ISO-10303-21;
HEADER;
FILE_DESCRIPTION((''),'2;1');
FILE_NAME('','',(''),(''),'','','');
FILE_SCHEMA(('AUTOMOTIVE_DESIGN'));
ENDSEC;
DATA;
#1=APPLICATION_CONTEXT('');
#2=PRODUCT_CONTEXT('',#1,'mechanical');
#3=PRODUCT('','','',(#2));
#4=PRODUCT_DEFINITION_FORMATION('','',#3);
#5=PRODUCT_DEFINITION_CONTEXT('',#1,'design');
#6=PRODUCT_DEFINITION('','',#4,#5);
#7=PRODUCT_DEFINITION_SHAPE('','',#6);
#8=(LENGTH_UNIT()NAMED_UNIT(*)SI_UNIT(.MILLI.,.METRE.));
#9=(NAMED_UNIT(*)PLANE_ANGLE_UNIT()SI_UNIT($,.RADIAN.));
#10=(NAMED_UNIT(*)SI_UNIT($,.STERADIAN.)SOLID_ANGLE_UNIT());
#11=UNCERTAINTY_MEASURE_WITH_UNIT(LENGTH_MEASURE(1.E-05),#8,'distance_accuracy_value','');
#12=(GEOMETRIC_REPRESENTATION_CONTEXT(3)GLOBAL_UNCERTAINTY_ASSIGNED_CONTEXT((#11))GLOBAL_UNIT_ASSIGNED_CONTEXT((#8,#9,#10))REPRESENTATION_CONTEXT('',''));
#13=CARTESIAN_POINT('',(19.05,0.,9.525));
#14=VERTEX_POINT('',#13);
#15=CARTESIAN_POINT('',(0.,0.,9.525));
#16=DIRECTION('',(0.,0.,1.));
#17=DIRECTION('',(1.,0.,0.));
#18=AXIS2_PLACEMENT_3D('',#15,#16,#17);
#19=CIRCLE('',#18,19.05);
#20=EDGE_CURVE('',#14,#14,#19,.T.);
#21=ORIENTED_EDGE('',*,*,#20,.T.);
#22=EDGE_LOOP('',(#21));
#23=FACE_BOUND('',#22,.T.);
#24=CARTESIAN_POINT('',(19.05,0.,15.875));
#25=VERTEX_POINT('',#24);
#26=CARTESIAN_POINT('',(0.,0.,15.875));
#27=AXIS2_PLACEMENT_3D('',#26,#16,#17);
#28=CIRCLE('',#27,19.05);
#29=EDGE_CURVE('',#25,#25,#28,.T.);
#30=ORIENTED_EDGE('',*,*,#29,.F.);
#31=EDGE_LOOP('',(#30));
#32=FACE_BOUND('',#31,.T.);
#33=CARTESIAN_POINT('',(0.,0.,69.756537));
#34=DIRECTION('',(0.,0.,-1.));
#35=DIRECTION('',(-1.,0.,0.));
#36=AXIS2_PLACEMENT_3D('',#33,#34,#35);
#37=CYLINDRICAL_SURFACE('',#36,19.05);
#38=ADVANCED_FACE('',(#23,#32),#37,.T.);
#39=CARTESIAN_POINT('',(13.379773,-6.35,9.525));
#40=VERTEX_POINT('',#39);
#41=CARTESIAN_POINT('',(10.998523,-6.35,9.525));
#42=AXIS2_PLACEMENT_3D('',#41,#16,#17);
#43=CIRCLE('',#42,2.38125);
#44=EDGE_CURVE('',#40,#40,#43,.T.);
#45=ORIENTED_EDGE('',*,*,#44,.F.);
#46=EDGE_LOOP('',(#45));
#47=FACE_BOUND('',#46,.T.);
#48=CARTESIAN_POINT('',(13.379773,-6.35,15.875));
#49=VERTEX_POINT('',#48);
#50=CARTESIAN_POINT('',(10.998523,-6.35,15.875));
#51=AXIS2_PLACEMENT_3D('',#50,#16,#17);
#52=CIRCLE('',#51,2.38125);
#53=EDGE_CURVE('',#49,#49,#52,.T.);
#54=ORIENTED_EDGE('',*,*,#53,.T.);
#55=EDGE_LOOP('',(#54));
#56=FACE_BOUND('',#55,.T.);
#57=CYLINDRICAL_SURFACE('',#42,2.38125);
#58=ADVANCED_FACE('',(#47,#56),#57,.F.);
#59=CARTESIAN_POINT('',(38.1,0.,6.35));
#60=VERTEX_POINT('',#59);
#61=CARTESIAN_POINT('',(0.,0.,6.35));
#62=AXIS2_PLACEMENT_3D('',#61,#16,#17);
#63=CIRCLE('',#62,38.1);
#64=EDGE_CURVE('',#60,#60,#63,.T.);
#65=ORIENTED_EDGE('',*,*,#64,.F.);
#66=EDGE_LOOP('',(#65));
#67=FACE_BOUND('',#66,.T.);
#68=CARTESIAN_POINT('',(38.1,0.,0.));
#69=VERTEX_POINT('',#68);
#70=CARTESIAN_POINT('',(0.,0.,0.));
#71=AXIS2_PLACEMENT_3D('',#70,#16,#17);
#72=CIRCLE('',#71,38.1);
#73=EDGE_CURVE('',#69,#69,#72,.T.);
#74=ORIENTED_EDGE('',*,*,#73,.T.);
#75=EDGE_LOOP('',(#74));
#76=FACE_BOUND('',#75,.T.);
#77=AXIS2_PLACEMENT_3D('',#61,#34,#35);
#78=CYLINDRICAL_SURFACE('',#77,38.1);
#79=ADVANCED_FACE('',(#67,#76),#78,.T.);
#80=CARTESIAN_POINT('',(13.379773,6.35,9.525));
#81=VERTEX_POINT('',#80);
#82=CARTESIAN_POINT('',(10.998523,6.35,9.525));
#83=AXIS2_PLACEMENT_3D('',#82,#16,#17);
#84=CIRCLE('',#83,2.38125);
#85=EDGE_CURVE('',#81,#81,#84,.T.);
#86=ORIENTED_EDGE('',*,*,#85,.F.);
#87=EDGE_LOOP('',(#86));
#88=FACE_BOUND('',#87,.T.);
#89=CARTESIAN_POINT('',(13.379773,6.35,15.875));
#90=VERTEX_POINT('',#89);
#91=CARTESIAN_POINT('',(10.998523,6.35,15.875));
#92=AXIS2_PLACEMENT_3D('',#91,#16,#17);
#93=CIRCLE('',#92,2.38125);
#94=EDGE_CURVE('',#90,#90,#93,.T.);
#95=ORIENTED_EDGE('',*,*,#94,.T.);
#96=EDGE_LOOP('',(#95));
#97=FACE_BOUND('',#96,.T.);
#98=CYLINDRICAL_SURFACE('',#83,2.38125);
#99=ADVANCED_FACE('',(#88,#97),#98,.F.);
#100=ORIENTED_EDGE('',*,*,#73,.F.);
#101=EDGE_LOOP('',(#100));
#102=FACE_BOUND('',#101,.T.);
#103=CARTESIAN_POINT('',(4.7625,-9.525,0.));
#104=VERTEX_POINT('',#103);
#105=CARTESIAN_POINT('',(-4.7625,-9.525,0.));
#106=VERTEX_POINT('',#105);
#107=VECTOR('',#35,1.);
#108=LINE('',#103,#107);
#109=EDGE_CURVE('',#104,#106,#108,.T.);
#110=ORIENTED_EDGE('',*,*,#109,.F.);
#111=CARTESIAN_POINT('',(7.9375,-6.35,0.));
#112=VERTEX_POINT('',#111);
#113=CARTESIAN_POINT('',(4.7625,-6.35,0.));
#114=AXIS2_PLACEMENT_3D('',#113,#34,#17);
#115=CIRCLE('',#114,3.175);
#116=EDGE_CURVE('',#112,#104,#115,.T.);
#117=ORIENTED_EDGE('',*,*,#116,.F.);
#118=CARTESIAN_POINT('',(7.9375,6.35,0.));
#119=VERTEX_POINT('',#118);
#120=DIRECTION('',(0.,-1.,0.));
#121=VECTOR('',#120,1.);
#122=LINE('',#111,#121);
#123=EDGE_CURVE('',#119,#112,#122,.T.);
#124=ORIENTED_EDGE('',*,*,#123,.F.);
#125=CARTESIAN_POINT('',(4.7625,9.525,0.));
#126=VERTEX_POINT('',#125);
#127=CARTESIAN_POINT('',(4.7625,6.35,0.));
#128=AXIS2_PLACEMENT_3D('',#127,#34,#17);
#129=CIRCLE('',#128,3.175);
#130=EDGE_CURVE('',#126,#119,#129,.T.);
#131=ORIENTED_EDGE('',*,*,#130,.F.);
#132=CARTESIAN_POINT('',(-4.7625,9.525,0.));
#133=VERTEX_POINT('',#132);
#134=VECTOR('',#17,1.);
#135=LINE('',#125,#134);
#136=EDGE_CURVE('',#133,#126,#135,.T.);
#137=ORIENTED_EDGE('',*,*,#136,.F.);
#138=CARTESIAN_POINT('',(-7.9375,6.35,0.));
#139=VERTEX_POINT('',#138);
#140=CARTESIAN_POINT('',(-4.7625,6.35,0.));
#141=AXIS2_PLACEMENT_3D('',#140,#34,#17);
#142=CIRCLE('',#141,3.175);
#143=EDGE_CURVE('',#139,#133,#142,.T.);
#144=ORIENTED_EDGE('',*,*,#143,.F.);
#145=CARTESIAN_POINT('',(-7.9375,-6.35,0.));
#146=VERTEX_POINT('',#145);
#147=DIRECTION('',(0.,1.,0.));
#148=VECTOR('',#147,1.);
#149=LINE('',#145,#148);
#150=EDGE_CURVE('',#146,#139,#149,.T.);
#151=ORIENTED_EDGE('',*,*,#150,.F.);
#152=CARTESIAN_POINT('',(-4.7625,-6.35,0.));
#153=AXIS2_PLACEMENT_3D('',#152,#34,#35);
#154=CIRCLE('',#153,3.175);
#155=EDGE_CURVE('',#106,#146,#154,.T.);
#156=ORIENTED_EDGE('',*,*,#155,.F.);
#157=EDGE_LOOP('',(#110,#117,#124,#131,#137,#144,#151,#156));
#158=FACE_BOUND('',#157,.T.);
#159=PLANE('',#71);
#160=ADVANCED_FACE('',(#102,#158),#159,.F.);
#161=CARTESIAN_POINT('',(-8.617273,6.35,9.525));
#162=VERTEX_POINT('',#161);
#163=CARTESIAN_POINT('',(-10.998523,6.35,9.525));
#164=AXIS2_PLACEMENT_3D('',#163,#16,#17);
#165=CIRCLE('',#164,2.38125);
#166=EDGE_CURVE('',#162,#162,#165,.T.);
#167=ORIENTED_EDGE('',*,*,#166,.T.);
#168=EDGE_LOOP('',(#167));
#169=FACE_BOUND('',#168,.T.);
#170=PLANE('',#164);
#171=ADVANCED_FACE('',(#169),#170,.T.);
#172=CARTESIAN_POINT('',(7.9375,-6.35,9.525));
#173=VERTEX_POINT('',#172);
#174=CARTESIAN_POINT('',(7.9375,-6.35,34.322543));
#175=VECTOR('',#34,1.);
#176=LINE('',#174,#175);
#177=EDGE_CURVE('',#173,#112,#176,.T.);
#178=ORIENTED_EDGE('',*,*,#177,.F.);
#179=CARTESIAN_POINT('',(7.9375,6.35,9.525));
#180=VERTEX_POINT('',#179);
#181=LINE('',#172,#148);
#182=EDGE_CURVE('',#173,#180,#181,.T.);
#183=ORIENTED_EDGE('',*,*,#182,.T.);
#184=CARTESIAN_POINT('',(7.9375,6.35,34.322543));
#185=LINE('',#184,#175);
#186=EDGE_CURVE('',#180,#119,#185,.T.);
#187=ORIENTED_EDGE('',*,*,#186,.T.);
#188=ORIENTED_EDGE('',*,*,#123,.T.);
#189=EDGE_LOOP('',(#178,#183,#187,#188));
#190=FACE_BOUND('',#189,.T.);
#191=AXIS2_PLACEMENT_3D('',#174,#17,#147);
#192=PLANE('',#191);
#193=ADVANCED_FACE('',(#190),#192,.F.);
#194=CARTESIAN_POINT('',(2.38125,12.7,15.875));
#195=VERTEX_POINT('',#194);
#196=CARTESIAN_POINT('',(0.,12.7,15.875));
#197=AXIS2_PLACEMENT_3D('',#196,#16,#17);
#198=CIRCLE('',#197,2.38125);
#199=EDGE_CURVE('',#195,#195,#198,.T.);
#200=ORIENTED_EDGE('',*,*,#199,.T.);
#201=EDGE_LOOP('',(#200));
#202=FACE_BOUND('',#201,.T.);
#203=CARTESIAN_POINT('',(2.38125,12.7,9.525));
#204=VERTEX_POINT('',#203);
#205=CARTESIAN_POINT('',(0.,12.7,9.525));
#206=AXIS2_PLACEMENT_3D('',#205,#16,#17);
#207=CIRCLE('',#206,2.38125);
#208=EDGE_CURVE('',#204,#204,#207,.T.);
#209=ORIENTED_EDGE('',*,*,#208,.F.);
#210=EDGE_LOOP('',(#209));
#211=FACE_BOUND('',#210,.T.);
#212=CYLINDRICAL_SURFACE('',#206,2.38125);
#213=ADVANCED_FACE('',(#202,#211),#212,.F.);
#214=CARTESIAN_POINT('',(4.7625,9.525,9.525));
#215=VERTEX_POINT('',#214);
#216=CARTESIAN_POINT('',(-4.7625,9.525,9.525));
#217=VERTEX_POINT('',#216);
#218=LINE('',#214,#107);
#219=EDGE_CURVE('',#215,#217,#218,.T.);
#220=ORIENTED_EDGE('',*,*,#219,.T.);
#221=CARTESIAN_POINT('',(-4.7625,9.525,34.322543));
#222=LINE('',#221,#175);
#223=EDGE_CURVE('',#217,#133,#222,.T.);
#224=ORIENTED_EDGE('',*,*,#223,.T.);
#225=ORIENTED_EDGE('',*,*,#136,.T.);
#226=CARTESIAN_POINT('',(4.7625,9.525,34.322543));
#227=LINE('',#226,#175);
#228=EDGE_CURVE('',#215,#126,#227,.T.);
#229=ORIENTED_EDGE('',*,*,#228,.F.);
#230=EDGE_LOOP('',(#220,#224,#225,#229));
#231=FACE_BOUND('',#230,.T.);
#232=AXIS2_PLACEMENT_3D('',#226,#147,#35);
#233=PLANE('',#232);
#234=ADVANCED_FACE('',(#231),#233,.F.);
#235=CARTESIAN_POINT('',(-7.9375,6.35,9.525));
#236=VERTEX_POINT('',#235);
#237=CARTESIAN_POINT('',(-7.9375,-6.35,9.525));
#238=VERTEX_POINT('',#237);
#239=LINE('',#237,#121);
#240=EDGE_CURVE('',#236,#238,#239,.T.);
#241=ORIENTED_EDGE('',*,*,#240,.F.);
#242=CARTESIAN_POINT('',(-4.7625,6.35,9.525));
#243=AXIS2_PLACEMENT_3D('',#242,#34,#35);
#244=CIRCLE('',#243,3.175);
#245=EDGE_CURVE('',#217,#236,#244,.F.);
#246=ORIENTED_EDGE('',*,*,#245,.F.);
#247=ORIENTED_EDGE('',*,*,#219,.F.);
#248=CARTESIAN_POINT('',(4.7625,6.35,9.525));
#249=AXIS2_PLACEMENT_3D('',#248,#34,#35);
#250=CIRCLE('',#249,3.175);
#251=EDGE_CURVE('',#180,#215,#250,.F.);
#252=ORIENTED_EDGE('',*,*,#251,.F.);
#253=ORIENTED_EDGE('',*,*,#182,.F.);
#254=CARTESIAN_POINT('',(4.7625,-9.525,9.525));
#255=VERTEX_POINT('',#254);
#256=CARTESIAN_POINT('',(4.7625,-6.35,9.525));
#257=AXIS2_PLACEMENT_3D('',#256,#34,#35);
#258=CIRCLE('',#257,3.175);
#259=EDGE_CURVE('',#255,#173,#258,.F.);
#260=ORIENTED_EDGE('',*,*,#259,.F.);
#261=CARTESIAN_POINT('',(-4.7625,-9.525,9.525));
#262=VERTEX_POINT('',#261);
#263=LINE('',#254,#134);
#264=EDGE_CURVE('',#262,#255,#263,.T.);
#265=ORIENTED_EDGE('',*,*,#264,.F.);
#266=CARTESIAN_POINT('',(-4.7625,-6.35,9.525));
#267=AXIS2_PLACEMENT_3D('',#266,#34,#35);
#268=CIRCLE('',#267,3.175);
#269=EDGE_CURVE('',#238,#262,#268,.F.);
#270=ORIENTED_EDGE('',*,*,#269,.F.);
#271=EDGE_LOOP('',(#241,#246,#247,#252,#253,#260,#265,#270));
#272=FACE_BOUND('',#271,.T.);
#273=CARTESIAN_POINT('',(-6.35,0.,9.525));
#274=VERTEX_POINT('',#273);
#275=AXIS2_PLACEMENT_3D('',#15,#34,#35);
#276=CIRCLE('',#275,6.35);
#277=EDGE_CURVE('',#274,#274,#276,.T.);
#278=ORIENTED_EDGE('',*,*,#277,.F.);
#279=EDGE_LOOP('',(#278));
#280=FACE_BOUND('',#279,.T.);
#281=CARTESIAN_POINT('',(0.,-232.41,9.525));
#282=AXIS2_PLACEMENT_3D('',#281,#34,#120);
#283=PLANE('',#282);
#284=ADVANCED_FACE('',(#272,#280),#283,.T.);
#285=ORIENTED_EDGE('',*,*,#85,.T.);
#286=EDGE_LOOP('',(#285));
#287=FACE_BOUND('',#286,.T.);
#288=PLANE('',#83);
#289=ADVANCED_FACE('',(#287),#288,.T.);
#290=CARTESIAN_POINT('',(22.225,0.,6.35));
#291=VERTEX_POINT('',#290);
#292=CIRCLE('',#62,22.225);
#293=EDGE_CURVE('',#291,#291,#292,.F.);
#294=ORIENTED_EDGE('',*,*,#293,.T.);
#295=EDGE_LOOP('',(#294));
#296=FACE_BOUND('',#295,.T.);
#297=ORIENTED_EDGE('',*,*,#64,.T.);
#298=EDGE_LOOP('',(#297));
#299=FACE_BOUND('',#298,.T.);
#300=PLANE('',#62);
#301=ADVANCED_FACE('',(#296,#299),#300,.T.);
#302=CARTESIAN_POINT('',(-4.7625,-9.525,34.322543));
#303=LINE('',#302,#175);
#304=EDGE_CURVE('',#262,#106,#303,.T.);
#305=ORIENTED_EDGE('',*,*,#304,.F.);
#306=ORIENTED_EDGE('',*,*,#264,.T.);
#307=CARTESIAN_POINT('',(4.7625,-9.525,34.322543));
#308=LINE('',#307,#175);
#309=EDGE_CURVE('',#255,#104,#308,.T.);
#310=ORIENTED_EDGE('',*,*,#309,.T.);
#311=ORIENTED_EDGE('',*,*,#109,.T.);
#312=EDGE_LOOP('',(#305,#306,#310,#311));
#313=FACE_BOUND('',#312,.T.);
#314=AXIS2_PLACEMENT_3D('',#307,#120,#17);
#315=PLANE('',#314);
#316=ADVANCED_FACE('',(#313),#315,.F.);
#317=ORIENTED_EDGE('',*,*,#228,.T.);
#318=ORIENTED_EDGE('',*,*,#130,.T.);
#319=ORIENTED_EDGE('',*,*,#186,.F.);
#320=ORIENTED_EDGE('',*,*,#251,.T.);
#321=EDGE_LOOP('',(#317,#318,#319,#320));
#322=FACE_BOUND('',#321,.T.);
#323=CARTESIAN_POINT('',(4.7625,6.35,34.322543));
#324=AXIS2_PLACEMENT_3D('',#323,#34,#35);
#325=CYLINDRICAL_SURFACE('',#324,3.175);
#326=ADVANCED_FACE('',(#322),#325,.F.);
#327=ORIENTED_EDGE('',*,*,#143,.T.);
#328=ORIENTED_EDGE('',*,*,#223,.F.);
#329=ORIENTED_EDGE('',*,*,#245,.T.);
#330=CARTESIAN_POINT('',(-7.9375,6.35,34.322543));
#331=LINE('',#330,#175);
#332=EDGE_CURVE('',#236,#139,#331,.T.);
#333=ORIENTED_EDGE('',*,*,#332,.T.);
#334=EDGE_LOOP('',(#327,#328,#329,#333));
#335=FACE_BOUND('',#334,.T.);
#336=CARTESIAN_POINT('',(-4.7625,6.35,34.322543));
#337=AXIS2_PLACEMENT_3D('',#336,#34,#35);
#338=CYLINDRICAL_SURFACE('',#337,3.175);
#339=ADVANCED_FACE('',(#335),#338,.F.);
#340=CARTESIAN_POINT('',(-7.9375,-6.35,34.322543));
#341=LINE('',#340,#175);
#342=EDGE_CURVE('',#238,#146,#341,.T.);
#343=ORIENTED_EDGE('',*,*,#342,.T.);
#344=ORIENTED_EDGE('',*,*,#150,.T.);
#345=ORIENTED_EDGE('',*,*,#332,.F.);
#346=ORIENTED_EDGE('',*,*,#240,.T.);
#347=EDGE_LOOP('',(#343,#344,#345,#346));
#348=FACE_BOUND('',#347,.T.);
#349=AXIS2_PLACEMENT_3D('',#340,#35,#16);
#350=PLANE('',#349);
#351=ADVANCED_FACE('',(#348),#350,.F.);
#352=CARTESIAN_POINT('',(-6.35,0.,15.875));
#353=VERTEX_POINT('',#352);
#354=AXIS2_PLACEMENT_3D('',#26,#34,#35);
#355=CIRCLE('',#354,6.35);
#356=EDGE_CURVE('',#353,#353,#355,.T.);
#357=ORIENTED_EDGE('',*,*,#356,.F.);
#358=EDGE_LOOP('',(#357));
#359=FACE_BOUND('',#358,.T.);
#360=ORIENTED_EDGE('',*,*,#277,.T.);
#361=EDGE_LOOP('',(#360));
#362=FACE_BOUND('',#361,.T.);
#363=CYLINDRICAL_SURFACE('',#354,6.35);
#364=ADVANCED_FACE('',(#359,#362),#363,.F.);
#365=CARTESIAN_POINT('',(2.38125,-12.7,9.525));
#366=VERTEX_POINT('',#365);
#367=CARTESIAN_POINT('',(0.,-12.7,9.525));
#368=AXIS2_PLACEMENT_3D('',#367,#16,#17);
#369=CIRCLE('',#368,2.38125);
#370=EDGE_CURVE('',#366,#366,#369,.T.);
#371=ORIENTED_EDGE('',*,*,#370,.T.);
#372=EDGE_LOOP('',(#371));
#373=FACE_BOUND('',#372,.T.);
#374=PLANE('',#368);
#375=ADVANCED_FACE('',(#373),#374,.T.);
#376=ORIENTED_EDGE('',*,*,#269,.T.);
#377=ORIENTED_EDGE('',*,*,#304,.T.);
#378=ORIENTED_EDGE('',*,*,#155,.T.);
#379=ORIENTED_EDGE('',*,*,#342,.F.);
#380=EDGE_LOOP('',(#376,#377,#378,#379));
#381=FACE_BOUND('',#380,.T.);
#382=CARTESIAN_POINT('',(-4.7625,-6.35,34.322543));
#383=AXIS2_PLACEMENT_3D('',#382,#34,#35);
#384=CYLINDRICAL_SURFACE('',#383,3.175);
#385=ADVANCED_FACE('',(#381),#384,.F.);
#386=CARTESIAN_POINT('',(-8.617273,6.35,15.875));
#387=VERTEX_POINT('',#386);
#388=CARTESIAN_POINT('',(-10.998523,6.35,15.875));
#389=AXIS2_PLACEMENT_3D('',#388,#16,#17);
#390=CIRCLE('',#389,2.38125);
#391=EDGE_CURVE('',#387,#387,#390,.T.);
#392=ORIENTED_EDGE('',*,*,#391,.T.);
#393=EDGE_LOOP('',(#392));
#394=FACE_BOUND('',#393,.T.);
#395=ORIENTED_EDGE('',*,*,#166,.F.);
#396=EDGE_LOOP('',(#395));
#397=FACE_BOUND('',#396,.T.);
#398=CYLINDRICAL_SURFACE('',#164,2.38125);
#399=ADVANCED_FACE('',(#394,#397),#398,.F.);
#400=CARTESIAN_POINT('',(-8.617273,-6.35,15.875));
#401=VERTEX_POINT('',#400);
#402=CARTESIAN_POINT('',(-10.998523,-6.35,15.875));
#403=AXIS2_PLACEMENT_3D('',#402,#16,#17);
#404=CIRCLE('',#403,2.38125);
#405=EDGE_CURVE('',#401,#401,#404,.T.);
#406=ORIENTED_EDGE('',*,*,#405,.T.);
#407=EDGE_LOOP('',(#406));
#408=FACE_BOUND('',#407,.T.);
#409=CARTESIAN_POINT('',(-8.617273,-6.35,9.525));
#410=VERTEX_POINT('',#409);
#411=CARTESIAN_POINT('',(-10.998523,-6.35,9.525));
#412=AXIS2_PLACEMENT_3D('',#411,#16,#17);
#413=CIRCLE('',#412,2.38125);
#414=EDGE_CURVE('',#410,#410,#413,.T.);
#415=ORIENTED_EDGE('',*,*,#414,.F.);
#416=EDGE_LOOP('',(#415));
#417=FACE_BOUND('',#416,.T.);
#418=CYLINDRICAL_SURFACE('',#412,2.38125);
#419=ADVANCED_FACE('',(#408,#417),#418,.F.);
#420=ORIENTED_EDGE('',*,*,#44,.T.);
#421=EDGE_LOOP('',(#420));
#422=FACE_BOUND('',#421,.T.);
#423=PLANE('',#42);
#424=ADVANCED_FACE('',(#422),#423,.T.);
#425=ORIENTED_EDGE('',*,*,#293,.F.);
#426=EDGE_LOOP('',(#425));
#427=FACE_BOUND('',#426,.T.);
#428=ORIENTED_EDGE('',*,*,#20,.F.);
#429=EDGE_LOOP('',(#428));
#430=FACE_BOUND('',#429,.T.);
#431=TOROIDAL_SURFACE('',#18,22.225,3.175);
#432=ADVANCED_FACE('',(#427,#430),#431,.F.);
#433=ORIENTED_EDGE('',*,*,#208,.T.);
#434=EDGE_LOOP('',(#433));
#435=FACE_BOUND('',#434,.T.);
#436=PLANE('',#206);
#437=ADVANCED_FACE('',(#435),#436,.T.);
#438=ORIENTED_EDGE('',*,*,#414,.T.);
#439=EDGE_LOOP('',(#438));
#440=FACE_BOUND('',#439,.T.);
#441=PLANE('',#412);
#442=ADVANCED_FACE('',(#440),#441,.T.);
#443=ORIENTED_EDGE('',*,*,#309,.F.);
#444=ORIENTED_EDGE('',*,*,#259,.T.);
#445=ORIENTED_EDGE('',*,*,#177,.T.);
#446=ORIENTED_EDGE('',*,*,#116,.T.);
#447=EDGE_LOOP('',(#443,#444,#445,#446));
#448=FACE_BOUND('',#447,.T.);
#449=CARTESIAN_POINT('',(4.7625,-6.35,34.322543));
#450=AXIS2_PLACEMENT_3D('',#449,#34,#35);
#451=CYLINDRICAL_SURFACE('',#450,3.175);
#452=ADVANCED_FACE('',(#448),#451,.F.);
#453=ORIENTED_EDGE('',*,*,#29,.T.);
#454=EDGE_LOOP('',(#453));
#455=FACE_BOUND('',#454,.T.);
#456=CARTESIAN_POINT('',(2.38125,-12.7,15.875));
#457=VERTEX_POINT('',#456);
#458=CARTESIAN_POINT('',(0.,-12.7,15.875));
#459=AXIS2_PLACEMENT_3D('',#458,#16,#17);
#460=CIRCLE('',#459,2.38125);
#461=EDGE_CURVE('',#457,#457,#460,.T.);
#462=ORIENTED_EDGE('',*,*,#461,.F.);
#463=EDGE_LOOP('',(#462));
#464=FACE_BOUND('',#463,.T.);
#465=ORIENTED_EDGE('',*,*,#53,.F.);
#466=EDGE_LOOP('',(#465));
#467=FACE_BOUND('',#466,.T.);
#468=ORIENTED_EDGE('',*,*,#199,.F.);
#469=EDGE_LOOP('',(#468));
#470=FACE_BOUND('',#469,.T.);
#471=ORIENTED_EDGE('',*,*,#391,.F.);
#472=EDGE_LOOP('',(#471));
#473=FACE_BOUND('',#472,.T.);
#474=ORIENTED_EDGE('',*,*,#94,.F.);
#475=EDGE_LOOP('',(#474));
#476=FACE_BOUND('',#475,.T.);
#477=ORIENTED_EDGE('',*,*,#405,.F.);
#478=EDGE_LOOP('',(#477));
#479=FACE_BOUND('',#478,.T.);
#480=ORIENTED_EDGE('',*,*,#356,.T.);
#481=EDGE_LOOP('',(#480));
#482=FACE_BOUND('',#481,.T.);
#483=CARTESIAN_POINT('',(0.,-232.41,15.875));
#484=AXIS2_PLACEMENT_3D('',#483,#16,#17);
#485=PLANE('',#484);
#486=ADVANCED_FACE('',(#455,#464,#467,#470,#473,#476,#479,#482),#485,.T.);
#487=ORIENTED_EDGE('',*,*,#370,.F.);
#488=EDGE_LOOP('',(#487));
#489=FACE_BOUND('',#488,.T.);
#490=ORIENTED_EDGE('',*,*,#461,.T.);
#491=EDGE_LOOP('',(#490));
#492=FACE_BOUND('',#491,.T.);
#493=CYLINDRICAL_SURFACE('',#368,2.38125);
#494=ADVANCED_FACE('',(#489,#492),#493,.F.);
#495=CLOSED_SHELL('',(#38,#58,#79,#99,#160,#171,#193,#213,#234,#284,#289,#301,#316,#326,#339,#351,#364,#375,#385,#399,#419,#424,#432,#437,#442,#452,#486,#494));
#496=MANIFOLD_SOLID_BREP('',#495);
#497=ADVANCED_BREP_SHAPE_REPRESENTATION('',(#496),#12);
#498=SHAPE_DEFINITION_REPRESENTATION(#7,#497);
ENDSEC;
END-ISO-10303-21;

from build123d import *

# Parameters (mm, degrees)
SKETCH1_R           = 38.1
BOSS_EXTRUDE1_DEPTH = 6.35
SKETCH2_R           = 19.05
BOSS_EXTRUDE2_DEPTH = 9.525
CUT_EXTRUDE1_START  = -9.525
CUT_EXTRUDE1_DEPTH  = 9.525
SKETCH4_R           = 6.35
CUT_EXTRUDE2_DEPTH  = 7.35
FILLET2_R           = 3.175
SKETCH7_R           = 2.38125
CUT_EXTRUDE4_DEPTH  = 6.35


with BuildPart() as part:
    # Sketch1 → Boss-Extrude1 (new body)
    with BuildSketch(Plane.XY):
        Circle(SKETCH1_R)
    extrude(amount=BOSS_EXTRUDE1_DEPTH)

    # Sketch2 → Boss-Extrude2 (add)
    with BuildSketch(Plane.XY.offset(6.35)):
        Circle(SKETCH2_R)
    extrude(amount=BOSS_EXTRUDE2_DEPTH)

    # Sketch3 → Cut-Extrude1 (cut)
    with BuildSketch(Plane(origin=(0, 0, 0), x_dir=(-1, 0, 0), z_dir=(0, 0, -1)).offset(CUT_EXTRUDE1_START)):
        with BuildLine():
            Line((-4.7625, -9.525), (4.7625, -9.525))
            ThreePointArc((4.7625, -9.525), (7.00756403, -8.59506403), (7.9375, -6.35))
            Line((7.9375, -6.35), (7.9375, 6.35))
            ThreePointArc((7.9375, 6.35), (7.00756403, 8.59506403), (4.7625, 9.525))
            Line((4.7625, 9.525), (-4.7625, 9.525))
            ThreePointArc((-4.7625, 9.525), (-7.00756403, 8.59506403), (-7.9375, 6.35))
            Line((-7.9375, 6.35), (-7.9375, -6.35))
            ThreePointArc((-7.9375, -6.35), (-7.00756403, -8.59506403), (-4.7625, -9.525))
        make_face()
    extrude(amount=CUT_EXTRUDE1_DEPTH, mode=Mode.SUBTRACT)

    # Sketch4 → Cut-Extrude2 (cut, through all)
    with BuildSketch(Plane(origin=(0, 0, 9.525), x_dir=(-1, 0, 0), z_dir=(0, 0, -1))):
        Circle(SKETCH4_R)
    extrude(amount=-CUT_EXTRUDE2_DEPTH, mode=Mode.SUBTRACT)

    # Fillet2
    fillet2_edges = [part.edges().sort_by_distance(p)[0] for p in [
        (-19.05, 0, 6.35),
    ]]
    fillet(fillet2_edges, radius=FILLET2_R)

    # Sketch7 → Cut-Extrude4 (cut)
    with BuildSketch(Plane.XY.offset(15.875)):
        with Locations((0, 12.7)):
            Circle(SKETCH7_R)
        with Locations((10.998522628, 6.35)):
            Circle(SKETCH7_R)
        with Locations((10.998522628, -6.35)):
            Circle(SKETCH7_R)
        with Locations((0, -12.7)):
            Circle(SKETCH7_R)
        with Locations((-10.998522628, -6.35)):
            Circle(SKETCH7_R)
        with Locations((-10.998522628, 6.35)):
            Circle(SKETCH7_R)
    extrude(amount=-CUT_EXTRUDE4_DEPTH, mode=Mode.SUBTRACT)


solid = part.part
